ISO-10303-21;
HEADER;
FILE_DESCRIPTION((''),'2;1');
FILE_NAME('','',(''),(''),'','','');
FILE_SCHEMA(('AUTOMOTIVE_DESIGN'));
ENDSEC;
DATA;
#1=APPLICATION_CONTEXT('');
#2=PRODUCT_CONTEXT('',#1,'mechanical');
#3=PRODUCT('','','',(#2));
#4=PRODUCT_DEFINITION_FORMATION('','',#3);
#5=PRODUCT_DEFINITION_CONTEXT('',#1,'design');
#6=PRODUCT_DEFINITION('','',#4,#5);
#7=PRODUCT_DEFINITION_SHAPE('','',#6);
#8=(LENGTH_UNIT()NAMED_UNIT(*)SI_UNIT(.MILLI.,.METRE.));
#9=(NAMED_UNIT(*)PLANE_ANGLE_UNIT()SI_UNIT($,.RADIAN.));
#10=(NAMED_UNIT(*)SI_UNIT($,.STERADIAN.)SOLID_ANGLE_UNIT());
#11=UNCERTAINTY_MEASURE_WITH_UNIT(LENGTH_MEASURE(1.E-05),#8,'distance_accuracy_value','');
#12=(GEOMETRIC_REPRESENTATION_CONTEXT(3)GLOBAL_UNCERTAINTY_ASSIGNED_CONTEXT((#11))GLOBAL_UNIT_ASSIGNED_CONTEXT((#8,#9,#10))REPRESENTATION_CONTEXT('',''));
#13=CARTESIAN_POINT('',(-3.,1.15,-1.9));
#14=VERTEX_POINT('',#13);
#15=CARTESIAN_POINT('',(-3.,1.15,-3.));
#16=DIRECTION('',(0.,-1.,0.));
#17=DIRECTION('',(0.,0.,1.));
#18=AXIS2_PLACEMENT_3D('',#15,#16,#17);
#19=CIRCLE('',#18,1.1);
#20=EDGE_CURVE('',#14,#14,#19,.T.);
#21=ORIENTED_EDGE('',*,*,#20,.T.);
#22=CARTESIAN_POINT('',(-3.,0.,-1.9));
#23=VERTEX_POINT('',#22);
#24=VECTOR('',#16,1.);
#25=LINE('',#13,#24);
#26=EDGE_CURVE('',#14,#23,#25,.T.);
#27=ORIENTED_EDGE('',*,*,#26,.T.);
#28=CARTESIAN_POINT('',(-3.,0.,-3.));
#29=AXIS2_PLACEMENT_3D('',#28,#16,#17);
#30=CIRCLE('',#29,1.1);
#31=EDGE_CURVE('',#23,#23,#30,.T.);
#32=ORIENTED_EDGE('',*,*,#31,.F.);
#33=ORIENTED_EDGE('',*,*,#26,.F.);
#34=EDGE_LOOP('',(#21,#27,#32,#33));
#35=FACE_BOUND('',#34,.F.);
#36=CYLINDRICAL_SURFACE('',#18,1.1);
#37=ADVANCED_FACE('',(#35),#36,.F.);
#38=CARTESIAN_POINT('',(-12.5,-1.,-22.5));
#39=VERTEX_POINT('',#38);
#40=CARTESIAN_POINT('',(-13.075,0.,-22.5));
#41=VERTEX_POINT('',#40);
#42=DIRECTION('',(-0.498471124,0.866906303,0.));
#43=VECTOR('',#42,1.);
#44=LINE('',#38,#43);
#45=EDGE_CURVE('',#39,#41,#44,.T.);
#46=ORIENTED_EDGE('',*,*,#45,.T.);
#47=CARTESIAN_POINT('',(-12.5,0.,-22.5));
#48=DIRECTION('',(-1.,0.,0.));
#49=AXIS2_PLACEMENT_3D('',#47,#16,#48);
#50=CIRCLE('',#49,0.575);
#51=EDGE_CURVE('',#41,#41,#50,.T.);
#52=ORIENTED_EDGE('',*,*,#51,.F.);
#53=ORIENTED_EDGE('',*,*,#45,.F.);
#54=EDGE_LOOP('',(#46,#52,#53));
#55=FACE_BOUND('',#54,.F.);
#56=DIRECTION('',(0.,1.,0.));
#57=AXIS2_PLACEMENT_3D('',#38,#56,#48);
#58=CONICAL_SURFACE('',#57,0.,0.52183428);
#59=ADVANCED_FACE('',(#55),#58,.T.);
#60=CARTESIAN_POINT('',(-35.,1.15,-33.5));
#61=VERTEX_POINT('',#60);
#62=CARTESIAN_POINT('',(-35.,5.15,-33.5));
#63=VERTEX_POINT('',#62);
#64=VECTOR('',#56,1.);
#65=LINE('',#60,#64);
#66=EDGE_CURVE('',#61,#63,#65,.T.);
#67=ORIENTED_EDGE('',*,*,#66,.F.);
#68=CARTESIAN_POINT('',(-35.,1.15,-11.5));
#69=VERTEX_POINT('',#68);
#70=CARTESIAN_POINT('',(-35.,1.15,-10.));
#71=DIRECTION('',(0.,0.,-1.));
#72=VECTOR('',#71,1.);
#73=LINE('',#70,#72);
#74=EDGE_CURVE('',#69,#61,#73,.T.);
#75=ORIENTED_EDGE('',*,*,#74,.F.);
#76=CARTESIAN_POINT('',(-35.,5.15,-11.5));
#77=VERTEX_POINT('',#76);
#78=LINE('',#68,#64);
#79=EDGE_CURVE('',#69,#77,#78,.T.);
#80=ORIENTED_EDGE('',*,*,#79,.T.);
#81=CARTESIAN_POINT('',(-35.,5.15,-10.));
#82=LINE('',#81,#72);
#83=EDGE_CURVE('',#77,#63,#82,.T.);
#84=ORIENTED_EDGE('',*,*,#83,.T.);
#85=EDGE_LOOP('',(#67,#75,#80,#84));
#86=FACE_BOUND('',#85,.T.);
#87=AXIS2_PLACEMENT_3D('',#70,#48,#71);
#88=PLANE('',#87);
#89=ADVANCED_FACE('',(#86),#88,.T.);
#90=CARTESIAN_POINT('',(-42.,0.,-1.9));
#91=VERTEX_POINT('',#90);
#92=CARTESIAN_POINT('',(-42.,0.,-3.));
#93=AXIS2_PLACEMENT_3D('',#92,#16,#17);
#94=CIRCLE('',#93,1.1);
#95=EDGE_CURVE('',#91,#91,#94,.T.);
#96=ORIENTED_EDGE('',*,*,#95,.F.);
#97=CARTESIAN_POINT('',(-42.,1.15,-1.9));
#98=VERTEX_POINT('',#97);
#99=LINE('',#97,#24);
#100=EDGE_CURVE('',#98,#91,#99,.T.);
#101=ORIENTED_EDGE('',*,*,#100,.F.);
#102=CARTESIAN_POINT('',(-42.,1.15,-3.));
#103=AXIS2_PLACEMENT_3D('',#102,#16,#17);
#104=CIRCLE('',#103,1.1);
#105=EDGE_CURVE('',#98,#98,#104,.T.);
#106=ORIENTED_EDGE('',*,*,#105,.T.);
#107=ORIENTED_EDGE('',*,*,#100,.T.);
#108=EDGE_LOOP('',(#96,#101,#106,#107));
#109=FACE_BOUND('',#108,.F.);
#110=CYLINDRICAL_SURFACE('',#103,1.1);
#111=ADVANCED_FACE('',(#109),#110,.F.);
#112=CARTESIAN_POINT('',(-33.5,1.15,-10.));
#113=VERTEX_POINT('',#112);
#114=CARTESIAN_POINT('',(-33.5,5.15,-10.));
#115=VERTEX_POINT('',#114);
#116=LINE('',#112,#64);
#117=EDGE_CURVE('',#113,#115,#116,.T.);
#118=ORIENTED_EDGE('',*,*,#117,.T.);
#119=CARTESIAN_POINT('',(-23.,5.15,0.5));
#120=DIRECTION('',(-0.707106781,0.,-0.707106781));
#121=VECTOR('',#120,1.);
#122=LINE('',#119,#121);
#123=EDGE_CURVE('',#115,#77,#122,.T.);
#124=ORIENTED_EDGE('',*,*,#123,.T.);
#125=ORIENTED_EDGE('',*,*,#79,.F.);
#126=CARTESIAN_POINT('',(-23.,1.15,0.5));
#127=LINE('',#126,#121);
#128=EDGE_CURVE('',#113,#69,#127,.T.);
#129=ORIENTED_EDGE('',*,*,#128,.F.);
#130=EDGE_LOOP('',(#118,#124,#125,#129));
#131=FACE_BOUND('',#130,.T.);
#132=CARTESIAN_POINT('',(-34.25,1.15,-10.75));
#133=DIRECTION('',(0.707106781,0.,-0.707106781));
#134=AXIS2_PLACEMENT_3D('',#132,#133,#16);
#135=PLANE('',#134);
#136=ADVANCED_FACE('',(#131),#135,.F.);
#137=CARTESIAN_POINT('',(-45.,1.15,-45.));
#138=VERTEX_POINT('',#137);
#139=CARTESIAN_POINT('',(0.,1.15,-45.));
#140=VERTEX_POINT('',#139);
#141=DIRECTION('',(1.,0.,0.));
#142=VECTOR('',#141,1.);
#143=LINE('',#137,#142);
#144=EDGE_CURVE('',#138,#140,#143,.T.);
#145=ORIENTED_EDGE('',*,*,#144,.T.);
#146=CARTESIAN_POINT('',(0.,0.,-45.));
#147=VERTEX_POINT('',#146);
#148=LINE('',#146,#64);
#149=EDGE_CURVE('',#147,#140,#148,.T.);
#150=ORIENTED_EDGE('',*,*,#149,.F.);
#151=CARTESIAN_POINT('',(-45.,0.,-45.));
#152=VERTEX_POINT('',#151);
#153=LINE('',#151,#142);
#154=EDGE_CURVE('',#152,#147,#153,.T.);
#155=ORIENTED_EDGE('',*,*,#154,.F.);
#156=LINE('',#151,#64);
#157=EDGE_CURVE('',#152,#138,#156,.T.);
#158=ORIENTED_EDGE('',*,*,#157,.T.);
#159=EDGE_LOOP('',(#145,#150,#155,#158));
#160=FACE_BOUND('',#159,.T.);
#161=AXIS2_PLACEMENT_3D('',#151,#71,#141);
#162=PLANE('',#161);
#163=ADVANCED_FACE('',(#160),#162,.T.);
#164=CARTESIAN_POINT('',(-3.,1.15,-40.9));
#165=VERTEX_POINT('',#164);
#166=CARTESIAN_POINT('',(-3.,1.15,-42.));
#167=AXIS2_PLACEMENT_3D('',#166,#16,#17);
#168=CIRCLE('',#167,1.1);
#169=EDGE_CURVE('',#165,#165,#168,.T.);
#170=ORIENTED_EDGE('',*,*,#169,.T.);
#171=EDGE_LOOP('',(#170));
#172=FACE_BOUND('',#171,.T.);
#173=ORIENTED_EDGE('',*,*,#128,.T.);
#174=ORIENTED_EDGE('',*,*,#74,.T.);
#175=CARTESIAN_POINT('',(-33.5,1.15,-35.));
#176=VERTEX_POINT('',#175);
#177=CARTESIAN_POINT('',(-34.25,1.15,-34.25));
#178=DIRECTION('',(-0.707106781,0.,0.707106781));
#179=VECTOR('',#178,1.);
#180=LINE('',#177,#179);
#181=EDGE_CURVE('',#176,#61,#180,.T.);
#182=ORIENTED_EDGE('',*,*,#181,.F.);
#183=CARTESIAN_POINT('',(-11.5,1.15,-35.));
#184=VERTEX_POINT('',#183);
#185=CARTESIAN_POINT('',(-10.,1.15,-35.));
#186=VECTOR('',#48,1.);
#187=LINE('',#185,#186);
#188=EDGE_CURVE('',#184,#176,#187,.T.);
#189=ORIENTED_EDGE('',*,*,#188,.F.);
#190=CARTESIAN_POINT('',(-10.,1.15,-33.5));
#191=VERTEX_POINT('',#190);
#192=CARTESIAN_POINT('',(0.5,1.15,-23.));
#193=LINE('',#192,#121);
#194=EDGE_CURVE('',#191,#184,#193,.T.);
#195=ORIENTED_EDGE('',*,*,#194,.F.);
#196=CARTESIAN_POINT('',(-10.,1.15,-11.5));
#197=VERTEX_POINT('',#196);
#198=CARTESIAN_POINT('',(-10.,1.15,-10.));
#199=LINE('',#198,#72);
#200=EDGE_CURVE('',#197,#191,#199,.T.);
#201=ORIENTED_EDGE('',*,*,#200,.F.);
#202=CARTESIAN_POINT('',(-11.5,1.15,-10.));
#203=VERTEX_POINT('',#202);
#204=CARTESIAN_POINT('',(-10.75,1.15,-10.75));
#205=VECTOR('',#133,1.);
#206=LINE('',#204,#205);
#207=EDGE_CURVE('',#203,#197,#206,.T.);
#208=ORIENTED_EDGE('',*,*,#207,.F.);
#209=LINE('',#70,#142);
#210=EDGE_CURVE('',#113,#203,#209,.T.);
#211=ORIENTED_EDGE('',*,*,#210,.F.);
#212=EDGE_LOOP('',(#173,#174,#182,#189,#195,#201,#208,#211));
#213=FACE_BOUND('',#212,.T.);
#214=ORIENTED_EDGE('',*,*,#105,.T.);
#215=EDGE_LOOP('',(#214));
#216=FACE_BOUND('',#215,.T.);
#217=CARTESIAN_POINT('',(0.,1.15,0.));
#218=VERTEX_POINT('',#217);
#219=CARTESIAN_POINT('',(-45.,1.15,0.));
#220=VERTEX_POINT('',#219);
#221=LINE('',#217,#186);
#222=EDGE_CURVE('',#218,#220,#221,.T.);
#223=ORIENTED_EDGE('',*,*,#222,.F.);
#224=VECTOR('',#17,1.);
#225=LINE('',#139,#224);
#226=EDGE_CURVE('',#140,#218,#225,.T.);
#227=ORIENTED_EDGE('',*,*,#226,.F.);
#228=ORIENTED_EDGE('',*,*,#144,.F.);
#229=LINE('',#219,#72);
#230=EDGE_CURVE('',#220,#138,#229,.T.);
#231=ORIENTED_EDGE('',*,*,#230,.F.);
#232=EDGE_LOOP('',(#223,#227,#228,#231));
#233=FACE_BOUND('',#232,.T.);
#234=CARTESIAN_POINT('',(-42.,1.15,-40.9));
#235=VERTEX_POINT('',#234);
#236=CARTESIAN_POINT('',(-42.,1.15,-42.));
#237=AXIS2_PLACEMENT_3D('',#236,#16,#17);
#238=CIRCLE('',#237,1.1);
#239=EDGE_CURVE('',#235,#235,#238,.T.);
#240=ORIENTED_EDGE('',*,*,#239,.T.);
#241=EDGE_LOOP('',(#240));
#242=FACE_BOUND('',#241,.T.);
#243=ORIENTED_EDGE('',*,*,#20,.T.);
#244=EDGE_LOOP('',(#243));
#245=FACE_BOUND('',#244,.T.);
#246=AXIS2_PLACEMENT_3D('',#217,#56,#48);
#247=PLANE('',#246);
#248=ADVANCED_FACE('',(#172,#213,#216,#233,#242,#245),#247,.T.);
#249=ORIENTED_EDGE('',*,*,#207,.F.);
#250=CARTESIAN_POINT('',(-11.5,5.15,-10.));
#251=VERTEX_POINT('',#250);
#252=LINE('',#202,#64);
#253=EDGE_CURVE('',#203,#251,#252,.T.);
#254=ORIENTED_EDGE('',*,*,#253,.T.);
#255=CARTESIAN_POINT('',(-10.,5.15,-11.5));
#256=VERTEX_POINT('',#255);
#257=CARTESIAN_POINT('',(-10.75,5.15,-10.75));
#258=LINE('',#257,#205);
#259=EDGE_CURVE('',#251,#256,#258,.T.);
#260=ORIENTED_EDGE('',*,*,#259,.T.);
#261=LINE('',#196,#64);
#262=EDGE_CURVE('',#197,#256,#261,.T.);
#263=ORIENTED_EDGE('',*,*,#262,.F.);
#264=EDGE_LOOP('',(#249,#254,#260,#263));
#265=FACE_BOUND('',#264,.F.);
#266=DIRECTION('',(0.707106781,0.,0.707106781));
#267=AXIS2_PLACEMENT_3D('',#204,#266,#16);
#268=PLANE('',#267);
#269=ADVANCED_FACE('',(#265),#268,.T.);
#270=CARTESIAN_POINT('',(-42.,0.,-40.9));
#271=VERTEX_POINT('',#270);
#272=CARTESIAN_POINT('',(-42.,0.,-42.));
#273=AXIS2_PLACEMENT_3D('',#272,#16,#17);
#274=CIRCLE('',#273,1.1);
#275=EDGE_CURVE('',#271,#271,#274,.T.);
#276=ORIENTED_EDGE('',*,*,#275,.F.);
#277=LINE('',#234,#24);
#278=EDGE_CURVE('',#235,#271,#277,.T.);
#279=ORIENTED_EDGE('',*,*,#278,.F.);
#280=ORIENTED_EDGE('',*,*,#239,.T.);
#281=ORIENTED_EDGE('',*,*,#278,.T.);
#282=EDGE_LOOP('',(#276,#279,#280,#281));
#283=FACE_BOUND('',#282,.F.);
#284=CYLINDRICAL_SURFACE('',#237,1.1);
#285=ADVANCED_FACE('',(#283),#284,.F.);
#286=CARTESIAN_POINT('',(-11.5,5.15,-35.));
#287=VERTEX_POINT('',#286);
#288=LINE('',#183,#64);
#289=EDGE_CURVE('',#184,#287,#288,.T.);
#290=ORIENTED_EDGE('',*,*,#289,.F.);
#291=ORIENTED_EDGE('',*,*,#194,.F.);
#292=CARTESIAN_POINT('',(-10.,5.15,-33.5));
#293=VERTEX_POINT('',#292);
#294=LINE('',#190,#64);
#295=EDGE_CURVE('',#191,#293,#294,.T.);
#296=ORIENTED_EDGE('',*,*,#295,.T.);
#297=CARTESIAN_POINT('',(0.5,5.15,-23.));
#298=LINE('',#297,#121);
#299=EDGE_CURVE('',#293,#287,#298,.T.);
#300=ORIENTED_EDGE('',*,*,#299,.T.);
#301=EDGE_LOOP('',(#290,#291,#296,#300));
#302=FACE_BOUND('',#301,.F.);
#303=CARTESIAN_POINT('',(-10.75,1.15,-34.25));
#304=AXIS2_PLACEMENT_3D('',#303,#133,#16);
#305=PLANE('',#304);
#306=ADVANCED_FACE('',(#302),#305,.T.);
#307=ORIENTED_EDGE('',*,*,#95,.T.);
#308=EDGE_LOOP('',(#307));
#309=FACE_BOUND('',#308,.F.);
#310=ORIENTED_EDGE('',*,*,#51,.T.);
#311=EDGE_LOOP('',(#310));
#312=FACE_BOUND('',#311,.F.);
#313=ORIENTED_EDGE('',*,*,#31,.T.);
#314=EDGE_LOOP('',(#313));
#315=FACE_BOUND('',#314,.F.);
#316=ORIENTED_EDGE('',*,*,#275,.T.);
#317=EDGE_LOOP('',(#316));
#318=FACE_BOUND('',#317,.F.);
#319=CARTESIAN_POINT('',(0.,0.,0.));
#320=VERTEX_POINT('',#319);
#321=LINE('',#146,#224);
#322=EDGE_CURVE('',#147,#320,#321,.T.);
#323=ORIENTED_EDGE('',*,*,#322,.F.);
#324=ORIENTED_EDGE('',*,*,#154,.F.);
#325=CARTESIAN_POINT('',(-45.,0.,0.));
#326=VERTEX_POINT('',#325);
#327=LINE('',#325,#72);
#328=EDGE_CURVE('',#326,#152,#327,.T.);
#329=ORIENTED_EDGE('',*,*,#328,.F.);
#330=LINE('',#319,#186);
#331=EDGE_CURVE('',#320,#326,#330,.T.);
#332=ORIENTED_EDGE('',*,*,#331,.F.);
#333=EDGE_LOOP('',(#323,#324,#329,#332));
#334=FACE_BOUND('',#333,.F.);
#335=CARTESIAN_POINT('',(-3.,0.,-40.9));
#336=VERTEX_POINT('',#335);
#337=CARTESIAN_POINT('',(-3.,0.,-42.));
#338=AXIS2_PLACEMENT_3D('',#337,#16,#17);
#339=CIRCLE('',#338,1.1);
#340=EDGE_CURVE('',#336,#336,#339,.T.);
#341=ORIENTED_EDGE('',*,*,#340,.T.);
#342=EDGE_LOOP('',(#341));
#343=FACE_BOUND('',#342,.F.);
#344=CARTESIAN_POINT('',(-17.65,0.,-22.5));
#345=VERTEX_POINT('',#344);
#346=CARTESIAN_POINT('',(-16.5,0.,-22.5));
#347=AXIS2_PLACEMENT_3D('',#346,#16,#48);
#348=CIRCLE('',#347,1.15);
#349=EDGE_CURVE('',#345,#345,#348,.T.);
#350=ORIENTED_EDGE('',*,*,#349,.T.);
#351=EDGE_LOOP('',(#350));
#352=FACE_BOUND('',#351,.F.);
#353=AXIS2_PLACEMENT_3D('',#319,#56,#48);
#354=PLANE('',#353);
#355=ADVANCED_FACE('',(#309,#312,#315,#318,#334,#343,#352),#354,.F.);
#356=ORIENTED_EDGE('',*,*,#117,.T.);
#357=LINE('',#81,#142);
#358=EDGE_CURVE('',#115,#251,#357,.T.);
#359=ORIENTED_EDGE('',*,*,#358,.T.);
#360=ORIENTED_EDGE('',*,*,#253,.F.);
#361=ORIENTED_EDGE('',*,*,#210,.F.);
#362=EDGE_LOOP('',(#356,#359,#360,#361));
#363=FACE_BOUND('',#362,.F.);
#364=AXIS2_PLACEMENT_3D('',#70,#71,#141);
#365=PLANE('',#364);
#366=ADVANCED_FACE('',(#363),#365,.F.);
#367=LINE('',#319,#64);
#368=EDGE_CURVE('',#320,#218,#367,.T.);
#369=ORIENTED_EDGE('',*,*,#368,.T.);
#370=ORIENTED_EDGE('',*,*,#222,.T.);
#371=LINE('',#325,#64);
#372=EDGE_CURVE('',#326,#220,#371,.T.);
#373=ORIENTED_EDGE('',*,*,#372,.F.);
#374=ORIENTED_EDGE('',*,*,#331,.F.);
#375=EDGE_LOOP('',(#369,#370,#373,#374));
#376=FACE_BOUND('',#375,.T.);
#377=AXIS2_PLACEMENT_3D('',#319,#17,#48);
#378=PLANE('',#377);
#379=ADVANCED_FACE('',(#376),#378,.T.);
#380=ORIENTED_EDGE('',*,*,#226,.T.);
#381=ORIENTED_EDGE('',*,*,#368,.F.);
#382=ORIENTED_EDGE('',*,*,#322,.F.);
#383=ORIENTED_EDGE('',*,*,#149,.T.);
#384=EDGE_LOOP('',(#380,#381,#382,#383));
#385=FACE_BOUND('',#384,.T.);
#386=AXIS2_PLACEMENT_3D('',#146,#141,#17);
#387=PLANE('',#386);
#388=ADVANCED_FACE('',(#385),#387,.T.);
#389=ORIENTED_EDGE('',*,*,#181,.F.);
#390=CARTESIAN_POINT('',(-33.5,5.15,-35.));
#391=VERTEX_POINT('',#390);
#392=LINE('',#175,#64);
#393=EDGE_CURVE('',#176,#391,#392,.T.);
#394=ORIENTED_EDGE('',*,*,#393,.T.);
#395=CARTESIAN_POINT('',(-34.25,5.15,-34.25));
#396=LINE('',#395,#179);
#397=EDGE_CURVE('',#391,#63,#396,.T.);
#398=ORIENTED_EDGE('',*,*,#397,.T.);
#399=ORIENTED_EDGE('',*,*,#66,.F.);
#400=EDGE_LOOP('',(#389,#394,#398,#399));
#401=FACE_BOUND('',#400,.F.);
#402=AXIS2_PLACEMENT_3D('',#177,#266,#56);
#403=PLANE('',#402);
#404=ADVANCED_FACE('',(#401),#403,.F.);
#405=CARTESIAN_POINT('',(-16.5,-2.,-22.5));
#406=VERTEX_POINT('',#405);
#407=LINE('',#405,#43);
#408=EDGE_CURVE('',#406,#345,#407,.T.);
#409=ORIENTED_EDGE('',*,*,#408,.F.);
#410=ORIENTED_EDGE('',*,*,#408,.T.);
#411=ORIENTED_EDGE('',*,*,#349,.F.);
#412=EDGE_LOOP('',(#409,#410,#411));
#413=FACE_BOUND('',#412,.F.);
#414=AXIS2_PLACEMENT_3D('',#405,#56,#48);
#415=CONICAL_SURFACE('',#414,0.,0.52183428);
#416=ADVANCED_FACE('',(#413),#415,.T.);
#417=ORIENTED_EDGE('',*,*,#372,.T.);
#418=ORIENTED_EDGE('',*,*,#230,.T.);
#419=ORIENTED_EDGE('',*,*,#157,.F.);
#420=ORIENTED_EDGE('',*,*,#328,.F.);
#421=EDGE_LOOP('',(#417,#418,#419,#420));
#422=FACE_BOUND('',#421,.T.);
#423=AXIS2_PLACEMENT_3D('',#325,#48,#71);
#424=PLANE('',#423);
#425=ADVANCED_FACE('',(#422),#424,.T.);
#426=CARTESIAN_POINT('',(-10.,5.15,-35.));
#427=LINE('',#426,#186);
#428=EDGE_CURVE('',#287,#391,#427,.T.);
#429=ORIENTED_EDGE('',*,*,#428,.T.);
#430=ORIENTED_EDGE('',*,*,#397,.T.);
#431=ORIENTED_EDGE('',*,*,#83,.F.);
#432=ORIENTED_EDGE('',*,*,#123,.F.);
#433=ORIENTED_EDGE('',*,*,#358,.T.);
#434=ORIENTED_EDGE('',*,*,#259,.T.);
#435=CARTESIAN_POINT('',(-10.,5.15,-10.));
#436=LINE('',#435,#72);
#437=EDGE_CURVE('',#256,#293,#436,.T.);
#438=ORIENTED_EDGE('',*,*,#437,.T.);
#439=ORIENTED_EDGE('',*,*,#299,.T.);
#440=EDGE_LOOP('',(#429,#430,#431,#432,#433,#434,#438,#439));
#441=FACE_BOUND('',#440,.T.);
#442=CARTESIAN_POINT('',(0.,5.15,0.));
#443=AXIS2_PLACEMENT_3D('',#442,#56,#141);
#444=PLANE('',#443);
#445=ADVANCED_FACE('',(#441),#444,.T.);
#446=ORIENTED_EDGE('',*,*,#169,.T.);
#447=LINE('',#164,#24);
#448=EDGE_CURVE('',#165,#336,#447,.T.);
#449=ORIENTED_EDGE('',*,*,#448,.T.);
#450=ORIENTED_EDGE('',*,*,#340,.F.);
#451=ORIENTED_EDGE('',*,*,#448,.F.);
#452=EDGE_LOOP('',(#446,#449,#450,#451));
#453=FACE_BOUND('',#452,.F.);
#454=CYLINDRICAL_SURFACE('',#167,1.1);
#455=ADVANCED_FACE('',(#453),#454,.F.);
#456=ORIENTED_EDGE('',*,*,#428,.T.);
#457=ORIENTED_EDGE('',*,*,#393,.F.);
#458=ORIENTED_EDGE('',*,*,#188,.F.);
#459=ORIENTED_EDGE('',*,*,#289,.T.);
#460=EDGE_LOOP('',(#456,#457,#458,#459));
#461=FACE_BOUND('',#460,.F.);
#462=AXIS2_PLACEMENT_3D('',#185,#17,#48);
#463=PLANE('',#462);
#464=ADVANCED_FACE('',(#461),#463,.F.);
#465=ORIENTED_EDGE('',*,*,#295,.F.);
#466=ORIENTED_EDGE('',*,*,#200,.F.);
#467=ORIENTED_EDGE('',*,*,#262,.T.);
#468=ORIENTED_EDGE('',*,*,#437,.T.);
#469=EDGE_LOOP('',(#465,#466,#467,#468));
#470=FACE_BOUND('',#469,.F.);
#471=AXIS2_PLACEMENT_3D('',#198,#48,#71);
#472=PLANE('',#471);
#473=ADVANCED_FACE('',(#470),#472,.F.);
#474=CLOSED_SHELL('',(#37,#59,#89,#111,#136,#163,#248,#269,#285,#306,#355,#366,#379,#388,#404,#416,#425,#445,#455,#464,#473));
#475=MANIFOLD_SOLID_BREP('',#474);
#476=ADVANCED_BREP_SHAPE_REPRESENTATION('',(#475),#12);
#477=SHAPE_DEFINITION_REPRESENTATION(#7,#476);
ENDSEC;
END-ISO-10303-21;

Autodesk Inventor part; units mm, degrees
ref_plane "YZ Plane" through (0, 0, 0) normal (1, 0, 0) x (0, 1, 0)
ref_plane "XZ Plane" through (0, 0, 0) normal (0, 1, 0) x (-1, 0, 0)
sketch "Sketch1" plane through (0, 0, 0) normal (0, 1, 0) x (-1, 0, 0)
  line L0 (0, 0) -> (45, 0)
  line L1 (45, 0) -> (45, -45)
  line L2 (45, -45) -> (0, -45)
  line L3 (0, -45) -> (0, 0)
  dimension "d0" = 45
  dimension "d1" = 45
extrude "Extrusion1" add sketch "Sketch1" along normal blind 1.15
sketch "Sketch2" plane through (0, 1.15, 0) normal (0, 1, 0) x (1, 0, 0)
  line L0 (-45, 45) -> (-45, 0) projected
  line L1 (-45, 0) -> (-45, 3)
  line L2 (-45, 3) -> (-42, 3)
  line L3 (-45, 22.5) -> (-42, 22.5)
  line L4 (-45, 45) -> (-45, 42)
  line L5 (-45, 42) -> (-42, 42)
  line L6 (0, 45) -> (-45, 45) projected
  line L7 (-22.5, 45) -> (-22.5, 42.897)
  line L8 (0, 45) -> (0, 0)
  line L9 (0, 0) -> (0, 3)
  line L10 (0, 3) -> (-3, 3)
  line L11 (0, 22.5) -> (-3, 22.5)
  line L12 (0, 45) -> (0, 42)
  line L13 (0, 42) -> (-3, 42)
  dimension "d4" = 3
  dimension "d5" = 3
hole "Hole1" at (-42, 1.15, -3) at (-42, 1.15, -42) at (-3, 1.15, -42) at (-3, 1.15, -3) direction (0, -1, 0) diameter 2.2 end through all clearance for "Flat Head Machine Screw" size "M2" standard "Ansi Metric M Profile"
sketch "Sketch3" plane through (0, 1.15, 0) normal (0, 1, 0) x (1, 0, 0)
  line L0 (-45, 0) -> (-45, 45) projected
  line L1 (0, 45) -> (0, 0) projected
  line L2 (-45, 45) -> (0, 45) projected
  line L3 (-35, 10) -> (-10, 10)
  line L4 (-10, 10) -> (-10, 35)
  line L5 (-10, 35) -> (-35, 35)
  line L6 (-35, 10) -> (-35, 35)
  dimension "d15" = 25
  dimension "d16" = 25
  dimension "d17" = 10
  dimension "d18" = 10
  dimension "d19" = 10
extrude "Extrusion2" add sketch "Sketch3" along normal blind 4
chamfer "Chamfer1" distance 1.5 angle 45 4 edges at (-10, 3.15, -35) (-35, 3.15, -35) (-10, 3.15, -10) (-35, 3.15, -10)
sketch "Sketch4" plane through (0, 0, 0) normal (0, -1, 0) x (1, 0, 0)
  line L0 (0, 0) -> (0, -45) projected
  line L1 (0, -22.5) -> (-12.5, -22.5)
  line L2 (-12.5, -22.5) -> (-16.5, -22.5)
  circle A0 centre (-12.5, -22.5) radius 0.5
  circle A1 centre (-16.5, -22.5) radius 0.5
  dimension "d25" = 12.5
  dimension "d26" = 4
  dimension "d27" = 1
ref_plane "Work Plane1" through (-12.5, 0, -22.5) normal (0, 0, 1) x (-1, 0, 0)
sketch "Sketch5" plane through (-12.5, 0, -22.5) normal (0, 0, 1) x (-1, 0, 0)
  line L0 (0, 0) -> (4, 0) projected
  line L1 (-12.5, 0) -> (0, 0) projected
  line L2 (4, 0) -> (4, 2)
  line L3 (4, 0) -> (5.15, 0)
  line L4 (4, 2) -> (5.15, 0)
  line L5 (0, 0) -> (0.575, 0)
  point P0 (-12.5, 0)
  dimension "d31" = 2
  dimension "d33" = 1.15
revolve "Revolution1" add sketch "Sketch5" angle 360 about axis through (-16.5, 0, -22.5) along (0, -1, 0)
sketch "Sketch6" plane through (-12.5, 0, -22.5) normal (0, 0, 1) x (-1, 0, 0)
  line L0 (0, 0) -> (0, 1)
  line L1 (0, 0) -> (0.575, 0)
  line L2 (0, 1) -> (0.575, 0)
  point P0 (-12.5, 0)
  dimension "d36" = 1
  dimension "d37" = 0.575
revolve "Revolution2" add sketch "Sketch6" angle 360 about axis through (-12.5, 0, -22.5) along (0, -1, 0)
properties part number "Patch_Antenna_V1"
